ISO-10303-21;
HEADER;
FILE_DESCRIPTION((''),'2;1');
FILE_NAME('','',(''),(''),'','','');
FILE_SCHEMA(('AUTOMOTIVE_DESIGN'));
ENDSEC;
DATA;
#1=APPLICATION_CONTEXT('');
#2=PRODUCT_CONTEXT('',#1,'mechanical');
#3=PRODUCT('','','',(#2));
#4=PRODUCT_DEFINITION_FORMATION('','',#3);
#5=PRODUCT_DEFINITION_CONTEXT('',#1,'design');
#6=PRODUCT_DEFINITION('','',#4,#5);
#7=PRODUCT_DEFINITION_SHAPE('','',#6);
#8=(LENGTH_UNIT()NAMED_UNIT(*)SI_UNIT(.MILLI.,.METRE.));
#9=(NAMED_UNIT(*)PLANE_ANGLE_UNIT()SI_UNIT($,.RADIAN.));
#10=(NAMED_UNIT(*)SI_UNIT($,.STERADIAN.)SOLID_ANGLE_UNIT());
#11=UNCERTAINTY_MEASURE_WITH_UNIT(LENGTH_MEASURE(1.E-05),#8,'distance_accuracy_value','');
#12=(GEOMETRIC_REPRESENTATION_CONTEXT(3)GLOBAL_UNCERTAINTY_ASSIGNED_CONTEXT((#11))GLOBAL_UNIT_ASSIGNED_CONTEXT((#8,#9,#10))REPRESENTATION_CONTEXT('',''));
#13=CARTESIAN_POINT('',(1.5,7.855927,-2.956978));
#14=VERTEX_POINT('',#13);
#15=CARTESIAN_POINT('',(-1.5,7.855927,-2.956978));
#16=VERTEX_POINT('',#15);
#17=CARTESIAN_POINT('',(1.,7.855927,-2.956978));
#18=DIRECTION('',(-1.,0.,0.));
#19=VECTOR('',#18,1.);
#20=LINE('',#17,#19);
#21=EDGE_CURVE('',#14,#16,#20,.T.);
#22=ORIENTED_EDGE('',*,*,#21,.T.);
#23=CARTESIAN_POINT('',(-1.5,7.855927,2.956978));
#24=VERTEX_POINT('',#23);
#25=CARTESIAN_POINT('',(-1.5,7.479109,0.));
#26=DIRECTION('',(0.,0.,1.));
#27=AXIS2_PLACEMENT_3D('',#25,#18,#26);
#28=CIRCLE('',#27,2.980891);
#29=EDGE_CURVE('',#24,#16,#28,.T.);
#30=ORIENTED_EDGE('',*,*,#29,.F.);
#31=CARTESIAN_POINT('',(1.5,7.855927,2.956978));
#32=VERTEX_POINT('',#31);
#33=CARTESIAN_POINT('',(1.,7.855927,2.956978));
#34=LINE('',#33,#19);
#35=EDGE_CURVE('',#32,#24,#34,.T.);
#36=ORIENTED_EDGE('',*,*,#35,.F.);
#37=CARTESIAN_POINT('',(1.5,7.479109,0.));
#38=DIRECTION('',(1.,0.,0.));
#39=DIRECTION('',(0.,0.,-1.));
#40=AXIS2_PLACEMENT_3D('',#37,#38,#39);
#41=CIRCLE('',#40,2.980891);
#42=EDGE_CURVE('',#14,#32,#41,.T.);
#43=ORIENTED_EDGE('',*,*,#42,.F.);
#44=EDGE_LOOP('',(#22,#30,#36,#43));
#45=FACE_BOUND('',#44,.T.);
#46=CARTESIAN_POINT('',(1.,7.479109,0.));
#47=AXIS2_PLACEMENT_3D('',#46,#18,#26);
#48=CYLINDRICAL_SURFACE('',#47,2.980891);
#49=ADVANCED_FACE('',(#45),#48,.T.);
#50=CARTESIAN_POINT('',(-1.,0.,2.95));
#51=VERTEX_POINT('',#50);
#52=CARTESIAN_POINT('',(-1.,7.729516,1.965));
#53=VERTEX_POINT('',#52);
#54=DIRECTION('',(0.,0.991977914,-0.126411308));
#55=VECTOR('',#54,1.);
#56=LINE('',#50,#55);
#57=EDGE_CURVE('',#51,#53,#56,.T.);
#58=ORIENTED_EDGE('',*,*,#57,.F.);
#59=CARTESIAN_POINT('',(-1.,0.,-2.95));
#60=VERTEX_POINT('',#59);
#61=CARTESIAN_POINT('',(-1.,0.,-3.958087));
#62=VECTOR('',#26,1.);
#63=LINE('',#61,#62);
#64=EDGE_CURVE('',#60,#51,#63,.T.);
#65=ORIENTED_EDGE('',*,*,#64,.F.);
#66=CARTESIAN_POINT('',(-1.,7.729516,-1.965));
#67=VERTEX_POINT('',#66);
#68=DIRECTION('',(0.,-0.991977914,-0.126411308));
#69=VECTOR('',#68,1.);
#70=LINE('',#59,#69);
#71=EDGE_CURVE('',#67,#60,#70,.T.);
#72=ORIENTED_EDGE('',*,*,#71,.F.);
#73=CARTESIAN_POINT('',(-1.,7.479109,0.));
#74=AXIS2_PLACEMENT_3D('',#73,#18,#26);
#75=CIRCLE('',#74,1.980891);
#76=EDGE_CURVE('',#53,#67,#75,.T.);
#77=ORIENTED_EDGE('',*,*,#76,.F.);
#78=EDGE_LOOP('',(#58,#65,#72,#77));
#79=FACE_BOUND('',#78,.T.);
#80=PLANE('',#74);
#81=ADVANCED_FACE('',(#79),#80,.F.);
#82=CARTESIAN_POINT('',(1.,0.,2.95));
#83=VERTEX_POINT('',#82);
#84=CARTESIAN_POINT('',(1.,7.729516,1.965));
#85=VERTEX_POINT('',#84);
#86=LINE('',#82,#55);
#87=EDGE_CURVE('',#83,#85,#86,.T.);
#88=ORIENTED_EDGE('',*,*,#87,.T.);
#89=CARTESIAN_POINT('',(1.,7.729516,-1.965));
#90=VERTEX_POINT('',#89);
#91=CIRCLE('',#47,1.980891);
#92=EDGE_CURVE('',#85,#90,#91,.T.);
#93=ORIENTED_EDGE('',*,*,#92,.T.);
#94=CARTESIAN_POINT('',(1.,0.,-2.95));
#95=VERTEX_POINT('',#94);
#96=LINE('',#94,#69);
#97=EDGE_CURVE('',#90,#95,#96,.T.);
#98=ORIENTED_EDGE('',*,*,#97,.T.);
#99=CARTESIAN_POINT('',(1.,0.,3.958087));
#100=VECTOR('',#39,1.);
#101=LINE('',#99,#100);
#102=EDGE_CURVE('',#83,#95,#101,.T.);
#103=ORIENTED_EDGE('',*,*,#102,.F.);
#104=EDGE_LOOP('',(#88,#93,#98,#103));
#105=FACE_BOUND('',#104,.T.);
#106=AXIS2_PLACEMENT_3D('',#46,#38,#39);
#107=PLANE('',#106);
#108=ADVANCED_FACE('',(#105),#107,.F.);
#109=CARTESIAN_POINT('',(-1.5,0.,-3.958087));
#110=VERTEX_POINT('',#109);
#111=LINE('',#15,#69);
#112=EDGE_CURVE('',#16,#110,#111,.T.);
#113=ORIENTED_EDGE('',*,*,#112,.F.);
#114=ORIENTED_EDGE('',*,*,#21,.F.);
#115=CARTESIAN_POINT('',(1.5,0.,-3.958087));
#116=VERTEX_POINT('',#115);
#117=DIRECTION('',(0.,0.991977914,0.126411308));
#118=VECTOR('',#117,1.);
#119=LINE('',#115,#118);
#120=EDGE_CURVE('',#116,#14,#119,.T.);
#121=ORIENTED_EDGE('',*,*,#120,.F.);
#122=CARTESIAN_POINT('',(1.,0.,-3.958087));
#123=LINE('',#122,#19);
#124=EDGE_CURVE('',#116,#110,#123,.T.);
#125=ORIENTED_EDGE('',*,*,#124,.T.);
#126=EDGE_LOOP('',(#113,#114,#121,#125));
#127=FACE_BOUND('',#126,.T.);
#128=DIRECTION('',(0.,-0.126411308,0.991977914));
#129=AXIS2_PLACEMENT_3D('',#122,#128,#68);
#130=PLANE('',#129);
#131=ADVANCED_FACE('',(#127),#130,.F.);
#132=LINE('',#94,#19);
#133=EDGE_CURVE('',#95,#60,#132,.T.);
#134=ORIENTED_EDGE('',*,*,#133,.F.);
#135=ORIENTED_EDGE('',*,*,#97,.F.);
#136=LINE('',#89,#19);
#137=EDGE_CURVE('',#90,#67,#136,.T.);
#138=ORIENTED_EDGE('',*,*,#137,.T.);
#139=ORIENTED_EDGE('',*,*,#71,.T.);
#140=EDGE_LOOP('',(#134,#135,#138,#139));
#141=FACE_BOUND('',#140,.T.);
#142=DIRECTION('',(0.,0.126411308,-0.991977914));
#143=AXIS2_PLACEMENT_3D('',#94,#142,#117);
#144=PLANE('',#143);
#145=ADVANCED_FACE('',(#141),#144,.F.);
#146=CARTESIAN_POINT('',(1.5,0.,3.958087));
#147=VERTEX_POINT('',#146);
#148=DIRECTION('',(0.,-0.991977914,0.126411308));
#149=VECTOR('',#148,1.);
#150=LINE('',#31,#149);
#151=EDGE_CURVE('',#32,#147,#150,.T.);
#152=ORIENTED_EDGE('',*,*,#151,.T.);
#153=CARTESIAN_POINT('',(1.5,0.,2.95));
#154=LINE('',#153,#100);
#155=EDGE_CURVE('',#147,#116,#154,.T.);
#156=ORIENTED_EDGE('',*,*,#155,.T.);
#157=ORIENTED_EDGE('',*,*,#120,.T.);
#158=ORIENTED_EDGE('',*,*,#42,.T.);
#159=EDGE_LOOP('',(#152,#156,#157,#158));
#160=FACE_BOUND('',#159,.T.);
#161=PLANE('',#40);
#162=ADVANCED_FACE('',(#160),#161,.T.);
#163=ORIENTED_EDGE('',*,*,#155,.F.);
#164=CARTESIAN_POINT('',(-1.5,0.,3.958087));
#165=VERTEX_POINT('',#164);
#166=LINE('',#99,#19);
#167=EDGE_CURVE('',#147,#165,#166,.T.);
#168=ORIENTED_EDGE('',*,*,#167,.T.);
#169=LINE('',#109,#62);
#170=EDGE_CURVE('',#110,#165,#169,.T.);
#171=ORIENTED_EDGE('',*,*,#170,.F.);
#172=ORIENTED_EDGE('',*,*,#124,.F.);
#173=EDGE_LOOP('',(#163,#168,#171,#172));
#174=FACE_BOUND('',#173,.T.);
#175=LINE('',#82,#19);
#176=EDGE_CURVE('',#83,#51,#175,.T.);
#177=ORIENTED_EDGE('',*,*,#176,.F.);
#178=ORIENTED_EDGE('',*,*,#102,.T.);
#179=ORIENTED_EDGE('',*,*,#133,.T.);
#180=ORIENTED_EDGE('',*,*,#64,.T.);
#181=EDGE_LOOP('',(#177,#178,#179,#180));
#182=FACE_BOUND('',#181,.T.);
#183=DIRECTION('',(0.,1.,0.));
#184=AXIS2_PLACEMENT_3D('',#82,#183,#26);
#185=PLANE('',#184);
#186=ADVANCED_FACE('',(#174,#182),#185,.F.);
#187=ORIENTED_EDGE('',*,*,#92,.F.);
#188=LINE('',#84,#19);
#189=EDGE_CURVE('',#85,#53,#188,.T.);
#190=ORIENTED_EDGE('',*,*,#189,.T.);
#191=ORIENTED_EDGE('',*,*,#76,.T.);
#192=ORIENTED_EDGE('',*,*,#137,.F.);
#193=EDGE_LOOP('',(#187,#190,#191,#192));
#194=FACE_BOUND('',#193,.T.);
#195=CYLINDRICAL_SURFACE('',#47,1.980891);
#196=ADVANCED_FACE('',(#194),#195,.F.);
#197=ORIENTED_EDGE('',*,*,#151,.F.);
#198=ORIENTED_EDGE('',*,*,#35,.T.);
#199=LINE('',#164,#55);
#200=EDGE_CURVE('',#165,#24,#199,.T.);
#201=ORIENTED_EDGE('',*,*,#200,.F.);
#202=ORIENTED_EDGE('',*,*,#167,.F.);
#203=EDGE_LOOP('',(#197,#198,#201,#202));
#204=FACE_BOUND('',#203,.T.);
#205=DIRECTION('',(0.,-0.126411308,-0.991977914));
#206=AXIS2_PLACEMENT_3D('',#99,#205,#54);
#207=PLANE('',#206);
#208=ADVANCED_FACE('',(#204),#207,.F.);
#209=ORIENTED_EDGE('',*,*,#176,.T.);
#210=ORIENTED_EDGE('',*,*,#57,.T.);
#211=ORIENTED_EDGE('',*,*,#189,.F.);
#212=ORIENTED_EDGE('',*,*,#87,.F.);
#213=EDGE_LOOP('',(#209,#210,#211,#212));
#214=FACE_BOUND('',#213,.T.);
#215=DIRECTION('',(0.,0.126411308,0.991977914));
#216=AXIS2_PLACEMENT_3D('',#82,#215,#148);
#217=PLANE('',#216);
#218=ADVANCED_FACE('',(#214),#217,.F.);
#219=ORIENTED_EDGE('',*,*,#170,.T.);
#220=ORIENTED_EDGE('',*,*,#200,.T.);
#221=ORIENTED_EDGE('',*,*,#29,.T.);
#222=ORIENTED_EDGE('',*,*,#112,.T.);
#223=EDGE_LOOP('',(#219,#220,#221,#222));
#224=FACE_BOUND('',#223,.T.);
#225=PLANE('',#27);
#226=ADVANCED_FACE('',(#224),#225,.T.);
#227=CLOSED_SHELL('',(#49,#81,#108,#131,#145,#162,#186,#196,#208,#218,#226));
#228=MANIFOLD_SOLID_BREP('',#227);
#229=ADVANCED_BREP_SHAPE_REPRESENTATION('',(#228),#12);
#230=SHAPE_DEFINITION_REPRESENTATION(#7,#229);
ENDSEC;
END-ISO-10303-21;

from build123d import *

# Parameters (mm, degrees)
BOSS_EXTRUDE1_DEPTH = 1
BOSS_EXTRUDE2_START = 0.5
BOSS_EXTRUDE2_DEPTH = 0.5
BOSS_EXTRUDE6_DEPTH = 0.5


with BuildPart() as part:
    # Sketch1 → Boss-Extrude1 (new, symmetric)
    with BuildSketch(Plane(origin=(0, 0, 0), x_dir=(0, 0, -1), z_dir=(1, 0, 0))):
        with BuildLine():
            Line((2.95, 0), (1.965, 7.729516129))
            ThreePointArc((1.965, 7.729516129), (0, 9.46), (-1.965, 7.729516129))
            Line((-1.965, 7.729516129), (-2.95, 0))
            Line((-2.95, 0), (-3.958086961, 0))
            Line((-3.958086961, 0), (-2.956977914, 7.855927438))
            ThreePointArc((-2.956977914, 7.855927438), (0, 10.46), (2.956977914, 7.855927438))
            Line((2.956977914, 7.855927438), (3.958086961, 0))
            Line((3.958086961, 0), (2.95, 0))
        make_face()
    extrude(amount=BOSS_EXTRUDE1_DEPTH, both=True)

    # Sketch2 → Boss-Extrude2 (add)
    with BuildSketch(Plane(origin=(1, 0, 0), x_dir=(0, 0, -1), z_dir=(1, 0, 0)).offset(BOSS_EXTRUDE2_START)):
        with BuildLine():
            Line((2.95, 0), (3.958086961, 0))
            Line((3.958086961, 0), (2.956977914, 7.855927438))
            ThreePointArc((2.956977914, 7.855927438), (0, 10.46), (-2.956977914, 7.855927438))
            Line((-2.956977914, 7.855927438), (-3.958086961, 0))
            Line((-3.958086961, 0), (-2.95, 0))
            Line((-2.95, 0), (2.95, 0))
        make_face()
    extrude(amount=-BOSS_EXTRUDE2_DEPTH)

    # Sketch3 → Boss-Extrude6 (add)
    with BuildSketch(Plane.ZY.offset(1)):
        with BuildLine():
            Line((-3.958086961, 0), (3.958086961, 0))
            Line((3.958086961, 0), (2.956977914, 7.855927438))
            ThreePointArc((2.956977914, 7.855927438), (0, 10.46), (-2.956977914, 7.855927438))
            Line((-2.956977914, 7.855927438), (-3.958086961, 0))
        make_face()
    extrude(amount=BOSS_EXTRUDE6_DEPTH)


solid = part.part
